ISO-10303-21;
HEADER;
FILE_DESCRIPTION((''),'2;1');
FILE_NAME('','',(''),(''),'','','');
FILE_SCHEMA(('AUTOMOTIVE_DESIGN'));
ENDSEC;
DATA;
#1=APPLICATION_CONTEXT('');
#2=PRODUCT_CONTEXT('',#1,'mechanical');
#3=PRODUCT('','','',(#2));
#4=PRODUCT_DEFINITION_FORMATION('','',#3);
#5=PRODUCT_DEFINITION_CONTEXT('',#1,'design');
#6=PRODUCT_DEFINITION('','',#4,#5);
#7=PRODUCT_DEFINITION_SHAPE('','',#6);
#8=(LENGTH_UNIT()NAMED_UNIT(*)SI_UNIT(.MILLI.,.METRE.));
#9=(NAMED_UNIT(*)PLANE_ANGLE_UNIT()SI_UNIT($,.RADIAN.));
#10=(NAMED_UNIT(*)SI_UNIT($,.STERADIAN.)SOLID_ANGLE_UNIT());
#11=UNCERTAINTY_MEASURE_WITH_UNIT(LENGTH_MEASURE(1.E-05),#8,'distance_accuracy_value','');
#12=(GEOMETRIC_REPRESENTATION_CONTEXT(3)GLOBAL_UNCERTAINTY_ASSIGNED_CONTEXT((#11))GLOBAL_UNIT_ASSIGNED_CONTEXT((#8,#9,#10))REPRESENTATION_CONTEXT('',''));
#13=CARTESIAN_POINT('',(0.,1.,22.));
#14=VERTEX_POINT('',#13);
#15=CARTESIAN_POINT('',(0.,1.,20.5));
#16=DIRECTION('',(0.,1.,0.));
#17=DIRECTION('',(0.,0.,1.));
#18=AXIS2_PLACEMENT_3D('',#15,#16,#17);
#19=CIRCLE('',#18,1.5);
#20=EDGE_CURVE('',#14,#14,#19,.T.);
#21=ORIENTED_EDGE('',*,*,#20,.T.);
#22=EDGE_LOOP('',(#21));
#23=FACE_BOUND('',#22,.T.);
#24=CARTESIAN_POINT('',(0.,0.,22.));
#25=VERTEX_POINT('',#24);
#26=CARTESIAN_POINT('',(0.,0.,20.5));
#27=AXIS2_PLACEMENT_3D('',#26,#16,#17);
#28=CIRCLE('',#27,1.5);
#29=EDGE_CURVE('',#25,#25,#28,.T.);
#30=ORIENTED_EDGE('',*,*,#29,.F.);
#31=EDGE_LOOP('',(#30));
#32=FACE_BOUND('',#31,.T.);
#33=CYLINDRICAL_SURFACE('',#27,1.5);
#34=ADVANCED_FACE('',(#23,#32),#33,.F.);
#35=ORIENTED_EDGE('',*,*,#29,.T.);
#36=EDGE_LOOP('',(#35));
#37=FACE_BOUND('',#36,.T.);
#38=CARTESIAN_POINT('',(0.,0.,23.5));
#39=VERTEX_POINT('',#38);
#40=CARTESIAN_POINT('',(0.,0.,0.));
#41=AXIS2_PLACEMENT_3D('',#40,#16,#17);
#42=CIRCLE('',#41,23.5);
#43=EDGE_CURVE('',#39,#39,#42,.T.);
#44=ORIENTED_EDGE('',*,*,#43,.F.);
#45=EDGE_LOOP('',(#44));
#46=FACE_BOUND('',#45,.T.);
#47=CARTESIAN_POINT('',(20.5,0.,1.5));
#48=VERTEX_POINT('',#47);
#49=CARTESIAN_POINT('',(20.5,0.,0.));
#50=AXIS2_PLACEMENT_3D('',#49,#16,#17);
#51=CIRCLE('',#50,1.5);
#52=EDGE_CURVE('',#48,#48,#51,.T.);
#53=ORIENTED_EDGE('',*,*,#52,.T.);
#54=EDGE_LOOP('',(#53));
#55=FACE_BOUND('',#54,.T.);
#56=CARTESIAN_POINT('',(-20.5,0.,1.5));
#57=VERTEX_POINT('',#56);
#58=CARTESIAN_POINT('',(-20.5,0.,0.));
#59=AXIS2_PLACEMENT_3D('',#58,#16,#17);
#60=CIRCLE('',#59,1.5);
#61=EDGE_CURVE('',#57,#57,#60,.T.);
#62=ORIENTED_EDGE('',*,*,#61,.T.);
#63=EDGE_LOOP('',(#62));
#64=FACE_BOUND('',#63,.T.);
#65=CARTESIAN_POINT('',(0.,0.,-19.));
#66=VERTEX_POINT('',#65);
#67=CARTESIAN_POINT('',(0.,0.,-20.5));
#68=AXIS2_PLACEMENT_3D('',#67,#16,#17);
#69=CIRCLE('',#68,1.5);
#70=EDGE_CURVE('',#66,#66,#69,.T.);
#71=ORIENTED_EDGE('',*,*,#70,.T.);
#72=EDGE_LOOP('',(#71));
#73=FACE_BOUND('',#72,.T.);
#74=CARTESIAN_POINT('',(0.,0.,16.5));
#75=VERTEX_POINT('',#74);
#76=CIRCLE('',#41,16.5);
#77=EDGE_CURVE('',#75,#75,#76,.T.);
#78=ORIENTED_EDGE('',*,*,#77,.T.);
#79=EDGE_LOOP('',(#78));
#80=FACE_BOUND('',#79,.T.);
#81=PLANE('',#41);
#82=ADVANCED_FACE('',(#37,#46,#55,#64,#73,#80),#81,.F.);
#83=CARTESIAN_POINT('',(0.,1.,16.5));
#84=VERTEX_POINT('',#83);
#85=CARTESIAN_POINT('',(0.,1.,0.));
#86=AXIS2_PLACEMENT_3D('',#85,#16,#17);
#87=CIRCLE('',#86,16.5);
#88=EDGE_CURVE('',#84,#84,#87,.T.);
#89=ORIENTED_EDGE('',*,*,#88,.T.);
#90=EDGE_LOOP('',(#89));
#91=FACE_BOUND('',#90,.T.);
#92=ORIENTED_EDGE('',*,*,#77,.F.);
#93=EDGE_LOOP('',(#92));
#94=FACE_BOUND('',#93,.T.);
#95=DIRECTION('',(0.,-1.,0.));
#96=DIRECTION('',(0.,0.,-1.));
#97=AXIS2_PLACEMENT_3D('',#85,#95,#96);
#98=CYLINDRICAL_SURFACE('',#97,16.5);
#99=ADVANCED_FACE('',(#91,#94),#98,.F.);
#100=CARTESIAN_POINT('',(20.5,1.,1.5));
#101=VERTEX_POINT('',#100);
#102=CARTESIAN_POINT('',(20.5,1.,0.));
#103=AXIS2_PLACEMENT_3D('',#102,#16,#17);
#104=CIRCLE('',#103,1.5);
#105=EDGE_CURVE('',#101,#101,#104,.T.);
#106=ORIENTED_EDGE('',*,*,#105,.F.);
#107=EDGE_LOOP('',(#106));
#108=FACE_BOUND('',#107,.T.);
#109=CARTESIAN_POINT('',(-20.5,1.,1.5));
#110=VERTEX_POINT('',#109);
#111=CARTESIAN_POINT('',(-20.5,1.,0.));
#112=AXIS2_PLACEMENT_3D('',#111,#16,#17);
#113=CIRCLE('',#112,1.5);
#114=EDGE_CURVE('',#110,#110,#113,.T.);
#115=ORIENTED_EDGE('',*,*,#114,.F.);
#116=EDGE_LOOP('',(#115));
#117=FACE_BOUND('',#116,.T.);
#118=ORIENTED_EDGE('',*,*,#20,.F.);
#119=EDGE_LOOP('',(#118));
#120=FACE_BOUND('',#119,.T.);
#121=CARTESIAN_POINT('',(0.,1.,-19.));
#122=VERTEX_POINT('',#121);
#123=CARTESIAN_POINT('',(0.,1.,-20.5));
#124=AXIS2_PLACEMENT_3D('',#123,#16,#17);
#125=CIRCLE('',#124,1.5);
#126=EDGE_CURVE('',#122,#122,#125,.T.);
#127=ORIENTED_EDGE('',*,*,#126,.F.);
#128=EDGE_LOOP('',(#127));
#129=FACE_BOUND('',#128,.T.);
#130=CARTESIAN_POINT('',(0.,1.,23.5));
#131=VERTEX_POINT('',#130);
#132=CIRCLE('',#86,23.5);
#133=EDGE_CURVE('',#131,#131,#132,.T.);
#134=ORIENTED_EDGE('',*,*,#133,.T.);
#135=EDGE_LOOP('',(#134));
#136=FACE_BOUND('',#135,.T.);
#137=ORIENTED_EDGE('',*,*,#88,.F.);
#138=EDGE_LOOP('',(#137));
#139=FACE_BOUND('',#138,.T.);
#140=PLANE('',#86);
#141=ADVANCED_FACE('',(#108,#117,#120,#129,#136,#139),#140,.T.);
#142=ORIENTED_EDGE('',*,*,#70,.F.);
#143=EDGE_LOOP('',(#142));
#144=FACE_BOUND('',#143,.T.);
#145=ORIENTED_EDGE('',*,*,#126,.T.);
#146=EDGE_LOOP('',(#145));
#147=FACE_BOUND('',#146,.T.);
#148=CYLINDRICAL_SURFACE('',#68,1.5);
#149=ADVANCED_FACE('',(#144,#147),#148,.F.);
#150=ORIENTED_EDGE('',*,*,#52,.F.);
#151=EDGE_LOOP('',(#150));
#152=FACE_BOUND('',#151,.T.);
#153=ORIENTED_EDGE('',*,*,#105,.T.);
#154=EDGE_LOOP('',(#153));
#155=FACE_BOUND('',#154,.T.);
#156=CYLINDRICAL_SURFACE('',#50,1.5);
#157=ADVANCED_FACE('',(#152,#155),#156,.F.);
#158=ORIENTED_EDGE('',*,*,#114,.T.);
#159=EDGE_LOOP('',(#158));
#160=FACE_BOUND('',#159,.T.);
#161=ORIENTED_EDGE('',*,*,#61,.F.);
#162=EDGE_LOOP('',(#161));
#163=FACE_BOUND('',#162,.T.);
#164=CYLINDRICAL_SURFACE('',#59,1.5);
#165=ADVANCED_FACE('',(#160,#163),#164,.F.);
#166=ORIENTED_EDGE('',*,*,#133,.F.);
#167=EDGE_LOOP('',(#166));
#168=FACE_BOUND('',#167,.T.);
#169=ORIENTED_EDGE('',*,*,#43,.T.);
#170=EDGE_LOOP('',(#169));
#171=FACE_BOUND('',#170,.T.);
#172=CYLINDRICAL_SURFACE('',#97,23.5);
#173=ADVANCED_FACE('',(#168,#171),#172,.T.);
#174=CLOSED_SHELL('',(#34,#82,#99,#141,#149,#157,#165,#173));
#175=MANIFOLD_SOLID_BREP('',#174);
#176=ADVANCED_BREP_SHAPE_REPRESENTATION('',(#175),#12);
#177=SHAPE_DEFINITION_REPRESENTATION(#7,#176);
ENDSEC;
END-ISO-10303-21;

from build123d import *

# Parameters (mm, degrees)
SKETCH_1_R          = 23.5
SKETCH_1_R_2        = 16.5
EXTRUDE_1_DEPTH     = 1
SKETCH_2_R          = 1.5
CUT_EXTRUDE_1_DEPTH = 1


with BuildPart() as part:
    # 草图1 → 凸台-拉伸1 (new body)
    with BuildSketch(Plane(origin=(0, 0, 0), x_dir=(1, 0, 0), z_dir=(0, 1, 0))):
        with Locations(Location((0, 0, 0), (0, 0, 270))):
            Circle(SKETCH_1_R)
        with Locations(Location((0, 0, 0), (0, 0, 270))):
            Circle(SKETCH_1_R_2, mode=Mode.SUBTRACT)
    extrude(amount=EXTRUDE_1_DEPTH)

    # 草图2 → 切除-拉伸1 (cut)
    with BuildSketch(Plane(origin=(0, 1, 0), x_dir=(1, 0, 0), z_dir=(0, 1, 0))):
        with Locations(Location((20.5, 0, 0), (0, 0, 270))):
            Circle(SKETCH_2_R)
        with Locations(Location((0, -20.5, 0), (0, 0, 270))):
            Circle(SKETCH_2_R)
        with Locations(Location((-20.5, 0, 0), (0, 0, 270))):
            Circle(SKETCH_2_R)
        with Locations(Location((0, 20.5, 0), (0, 0, 270))):
            Circle(SKETCH_2_R)
    extrude(amount=-CUT_EXTRUDE_1_DEPTH, mode=Mode.SUBTRACT)


solid = part.part
